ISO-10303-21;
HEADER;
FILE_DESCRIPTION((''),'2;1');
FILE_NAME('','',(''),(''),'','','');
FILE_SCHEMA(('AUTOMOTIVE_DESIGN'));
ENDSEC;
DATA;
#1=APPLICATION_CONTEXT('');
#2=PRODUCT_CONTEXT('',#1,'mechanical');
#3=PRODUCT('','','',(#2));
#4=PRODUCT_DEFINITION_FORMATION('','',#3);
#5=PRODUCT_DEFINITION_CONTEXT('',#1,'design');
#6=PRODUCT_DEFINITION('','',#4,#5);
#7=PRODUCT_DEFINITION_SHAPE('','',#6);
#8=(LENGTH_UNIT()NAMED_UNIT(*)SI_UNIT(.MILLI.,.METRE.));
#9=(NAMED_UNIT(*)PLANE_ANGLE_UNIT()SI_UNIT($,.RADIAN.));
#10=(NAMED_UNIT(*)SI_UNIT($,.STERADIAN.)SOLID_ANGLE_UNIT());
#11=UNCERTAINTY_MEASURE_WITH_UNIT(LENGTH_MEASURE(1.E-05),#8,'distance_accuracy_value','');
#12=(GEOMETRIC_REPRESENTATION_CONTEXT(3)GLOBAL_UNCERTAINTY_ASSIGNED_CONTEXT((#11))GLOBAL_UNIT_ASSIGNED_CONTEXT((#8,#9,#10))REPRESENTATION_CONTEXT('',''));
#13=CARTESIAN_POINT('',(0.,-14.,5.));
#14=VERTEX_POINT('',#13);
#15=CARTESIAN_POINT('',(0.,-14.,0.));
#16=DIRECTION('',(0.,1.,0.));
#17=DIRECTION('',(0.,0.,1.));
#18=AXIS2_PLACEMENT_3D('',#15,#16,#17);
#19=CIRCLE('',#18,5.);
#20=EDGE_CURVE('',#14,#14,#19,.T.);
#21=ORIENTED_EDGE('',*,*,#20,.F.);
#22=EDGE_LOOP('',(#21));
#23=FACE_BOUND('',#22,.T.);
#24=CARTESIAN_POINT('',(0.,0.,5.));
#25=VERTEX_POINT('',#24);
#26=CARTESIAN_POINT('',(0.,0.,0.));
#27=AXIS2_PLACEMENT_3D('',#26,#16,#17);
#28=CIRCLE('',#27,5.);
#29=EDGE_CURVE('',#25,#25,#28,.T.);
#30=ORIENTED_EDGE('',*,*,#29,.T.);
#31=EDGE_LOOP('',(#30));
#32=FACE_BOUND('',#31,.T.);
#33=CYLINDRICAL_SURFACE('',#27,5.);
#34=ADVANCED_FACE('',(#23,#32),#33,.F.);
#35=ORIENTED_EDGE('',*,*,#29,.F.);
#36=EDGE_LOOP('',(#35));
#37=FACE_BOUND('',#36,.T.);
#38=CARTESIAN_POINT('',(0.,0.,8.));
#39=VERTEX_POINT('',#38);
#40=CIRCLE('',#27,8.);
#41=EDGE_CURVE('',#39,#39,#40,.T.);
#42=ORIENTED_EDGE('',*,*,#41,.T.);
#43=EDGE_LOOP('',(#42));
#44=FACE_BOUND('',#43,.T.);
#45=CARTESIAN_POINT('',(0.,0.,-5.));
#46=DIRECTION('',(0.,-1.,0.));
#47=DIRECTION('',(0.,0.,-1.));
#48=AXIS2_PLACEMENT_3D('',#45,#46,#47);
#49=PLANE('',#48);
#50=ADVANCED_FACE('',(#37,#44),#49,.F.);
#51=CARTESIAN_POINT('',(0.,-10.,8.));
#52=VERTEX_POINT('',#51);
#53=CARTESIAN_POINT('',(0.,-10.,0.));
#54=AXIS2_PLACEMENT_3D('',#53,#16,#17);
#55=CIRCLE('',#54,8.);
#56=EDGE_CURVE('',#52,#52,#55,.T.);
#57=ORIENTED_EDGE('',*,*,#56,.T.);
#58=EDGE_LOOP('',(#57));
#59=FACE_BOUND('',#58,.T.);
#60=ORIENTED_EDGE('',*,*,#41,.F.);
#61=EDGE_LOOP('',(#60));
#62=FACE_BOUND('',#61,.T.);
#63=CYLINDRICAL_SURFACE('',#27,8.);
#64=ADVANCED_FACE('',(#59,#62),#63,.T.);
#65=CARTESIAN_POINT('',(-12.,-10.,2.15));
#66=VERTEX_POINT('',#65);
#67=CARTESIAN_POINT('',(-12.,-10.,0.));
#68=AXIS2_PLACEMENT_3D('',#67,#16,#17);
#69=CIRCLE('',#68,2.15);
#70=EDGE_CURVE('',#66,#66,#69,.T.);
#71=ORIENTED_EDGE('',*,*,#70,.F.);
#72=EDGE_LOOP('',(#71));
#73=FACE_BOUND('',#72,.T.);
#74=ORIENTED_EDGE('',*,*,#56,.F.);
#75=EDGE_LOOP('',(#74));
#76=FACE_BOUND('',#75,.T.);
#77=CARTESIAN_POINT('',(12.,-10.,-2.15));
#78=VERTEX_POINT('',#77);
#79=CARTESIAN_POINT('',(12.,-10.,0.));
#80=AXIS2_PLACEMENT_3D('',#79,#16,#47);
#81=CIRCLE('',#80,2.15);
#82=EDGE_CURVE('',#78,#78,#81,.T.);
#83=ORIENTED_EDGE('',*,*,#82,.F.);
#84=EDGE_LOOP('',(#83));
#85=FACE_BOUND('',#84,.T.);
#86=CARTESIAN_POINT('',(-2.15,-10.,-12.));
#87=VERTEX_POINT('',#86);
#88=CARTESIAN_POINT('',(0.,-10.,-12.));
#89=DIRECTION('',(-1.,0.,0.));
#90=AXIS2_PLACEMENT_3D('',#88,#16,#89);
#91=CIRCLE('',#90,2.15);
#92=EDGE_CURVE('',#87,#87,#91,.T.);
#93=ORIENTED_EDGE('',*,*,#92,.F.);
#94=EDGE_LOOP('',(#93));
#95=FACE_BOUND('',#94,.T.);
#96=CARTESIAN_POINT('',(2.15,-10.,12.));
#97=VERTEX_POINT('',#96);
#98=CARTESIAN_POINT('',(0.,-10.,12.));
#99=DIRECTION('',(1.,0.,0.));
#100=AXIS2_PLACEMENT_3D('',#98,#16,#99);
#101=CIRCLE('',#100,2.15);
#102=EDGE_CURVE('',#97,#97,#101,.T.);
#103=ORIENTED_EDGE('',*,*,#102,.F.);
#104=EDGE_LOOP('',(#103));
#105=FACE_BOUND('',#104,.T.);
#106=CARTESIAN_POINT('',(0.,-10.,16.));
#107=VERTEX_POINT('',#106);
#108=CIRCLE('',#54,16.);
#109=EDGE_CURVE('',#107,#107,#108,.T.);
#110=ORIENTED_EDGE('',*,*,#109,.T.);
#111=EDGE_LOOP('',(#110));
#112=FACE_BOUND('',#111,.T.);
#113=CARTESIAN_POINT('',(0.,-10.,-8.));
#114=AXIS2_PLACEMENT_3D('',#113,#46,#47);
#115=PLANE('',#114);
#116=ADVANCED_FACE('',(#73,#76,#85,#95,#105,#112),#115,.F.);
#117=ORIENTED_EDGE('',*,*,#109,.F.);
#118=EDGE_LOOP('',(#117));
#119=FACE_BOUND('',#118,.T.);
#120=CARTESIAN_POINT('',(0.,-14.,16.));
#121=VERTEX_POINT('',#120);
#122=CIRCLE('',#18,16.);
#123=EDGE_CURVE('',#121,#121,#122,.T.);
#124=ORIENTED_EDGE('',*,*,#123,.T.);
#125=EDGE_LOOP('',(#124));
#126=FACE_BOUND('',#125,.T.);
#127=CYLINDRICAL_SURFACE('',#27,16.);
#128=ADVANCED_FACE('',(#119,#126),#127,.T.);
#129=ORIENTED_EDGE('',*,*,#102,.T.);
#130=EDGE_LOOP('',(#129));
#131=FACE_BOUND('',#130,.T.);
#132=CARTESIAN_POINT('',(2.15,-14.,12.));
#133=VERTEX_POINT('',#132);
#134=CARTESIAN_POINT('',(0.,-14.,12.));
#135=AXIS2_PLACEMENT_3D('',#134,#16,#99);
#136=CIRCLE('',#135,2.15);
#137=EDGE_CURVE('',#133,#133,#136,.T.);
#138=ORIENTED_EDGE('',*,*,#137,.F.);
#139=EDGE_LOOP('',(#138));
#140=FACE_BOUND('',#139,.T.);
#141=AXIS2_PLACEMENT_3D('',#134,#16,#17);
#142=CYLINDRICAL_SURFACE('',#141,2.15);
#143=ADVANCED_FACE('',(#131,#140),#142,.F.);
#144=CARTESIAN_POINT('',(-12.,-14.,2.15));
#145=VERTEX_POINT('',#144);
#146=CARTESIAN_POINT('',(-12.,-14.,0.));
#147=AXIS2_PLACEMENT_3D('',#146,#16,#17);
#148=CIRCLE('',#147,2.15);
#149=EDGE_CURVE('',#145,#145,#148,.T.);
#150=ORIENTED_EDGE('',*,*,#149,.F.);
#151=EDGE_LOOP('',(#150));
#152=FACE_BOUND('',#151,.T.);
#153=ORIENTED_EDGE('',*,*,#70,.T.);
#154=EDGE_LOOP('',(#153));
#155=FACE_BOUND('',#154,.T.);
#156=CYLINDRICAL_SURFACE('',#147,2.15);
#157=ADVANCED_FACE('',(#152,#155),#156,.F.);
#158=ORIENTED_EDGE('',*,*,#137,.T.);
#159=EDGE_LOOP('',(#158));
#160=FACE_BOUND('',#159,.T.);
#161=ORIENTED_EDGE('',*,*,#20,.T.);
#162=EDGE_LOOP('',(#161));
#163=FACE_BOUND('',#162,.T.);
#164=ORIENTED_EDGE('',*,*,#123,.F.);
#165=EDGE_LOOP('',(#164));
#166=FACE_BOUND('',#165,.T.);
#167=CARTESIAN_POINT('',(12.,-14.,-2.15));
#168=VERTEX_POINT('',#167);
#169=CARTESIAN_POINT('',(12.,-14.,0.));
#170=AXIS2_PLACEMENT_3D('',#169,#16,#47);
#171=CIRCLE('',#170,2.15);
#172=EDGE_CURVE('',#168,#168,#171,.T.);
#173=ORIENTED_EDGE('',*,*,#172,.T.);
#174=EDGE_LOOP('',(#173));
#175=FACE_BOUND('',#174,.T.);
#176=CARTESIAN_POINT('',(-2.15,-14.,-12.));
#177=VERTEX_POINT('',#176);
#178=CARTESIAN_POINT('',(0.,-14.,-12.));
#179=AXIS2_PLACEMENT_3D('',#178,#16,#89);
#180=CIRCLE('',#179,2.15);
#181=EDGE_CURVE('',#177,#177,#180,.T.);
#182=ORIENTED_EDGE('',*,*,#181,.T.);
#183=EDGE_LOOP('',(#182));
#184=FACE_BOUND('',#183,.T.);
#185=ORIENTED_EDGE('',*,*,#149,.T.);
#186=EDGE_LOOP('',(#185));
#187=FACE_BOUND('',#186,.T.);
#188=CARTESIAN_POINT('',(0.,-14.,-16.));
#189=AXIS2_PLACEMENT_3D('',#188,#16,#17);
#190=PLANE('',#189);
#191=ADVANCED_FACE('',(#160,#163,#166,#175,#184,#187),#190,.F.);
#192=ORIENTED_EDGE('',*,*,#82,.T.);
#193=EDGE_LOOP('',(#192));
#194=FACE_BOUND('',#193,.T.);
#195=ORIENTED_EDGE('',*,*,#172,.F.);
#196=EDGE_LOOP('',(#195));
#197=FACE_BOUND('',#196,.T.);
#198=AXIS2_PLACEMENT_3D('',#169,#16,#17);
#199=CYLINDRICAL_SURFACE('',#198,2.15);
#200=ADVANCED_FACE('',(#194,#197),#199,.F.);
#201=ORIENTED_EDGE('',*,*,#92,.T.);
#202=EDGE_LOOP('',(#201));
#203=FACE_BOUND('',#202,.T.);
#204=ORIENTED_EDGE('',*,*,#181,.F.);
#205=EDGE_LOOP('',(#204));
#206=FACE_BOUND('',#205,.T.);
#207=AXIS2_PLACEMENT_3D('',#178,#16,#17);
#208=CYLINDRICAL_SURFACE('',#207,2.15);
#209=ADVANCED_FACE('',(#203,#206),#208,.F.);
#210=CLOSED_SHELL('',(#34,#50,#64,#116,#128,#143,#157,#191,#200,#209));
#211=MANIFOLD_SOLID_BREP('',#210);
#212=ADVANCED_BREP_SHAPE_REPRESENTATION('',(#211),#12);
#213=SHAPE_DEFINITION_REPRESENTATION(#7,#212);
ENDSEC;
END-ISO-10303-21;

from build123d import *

# Parameters (mm, degrees)
SKETCH2_R          = 2.15
CUT_EXTRUDE1_DEPTH = 5
CIRPATTERN1_COUNT  = 4


with BuildPart() as part:
    # Sketch1 → Revolve4 (revolve)
    with BuildSketch(Plane(origin=(0, 0, 0), x_dir=(0, 0, -1), z_dir=(1, 0, 0))):
        Polygon((8, 0), (8, -10), (16, -10), (16, -14), (5, -14), (5, 0), align=None)
    revolve(axis=Axis((0, 0, 0), (0, -1, 0)))

    # Sketch2 → Cut-Extrude1 (cut, through all)
    with BuildSketch(Plane(origin=(0, -10, 0), x_dir=(1, 0, 0), z_dir=(0, 1, 0))):
        with Locations((-12, 0)):
            Circle(SKETCH2_R)
    cut_extrude1 = extrude(amount=-CUT_EXTRUDE1_DEPTH, mode=Mode.SUBTRACT)

    # CirPattern1: Cut-Extrude1 ×4 about axis
    cirpattern1_axis = Axis((0, 0, 0), (0, 1, 0))
    for i in range(1, CIRPATTERN1_COUNT):
        add(cut_extrude1.rotate(cirpattern1_axis, i * 360 / CIRPATTERN1_COUNT), mode=Mode.SUBTRACT)


solid = part.part
